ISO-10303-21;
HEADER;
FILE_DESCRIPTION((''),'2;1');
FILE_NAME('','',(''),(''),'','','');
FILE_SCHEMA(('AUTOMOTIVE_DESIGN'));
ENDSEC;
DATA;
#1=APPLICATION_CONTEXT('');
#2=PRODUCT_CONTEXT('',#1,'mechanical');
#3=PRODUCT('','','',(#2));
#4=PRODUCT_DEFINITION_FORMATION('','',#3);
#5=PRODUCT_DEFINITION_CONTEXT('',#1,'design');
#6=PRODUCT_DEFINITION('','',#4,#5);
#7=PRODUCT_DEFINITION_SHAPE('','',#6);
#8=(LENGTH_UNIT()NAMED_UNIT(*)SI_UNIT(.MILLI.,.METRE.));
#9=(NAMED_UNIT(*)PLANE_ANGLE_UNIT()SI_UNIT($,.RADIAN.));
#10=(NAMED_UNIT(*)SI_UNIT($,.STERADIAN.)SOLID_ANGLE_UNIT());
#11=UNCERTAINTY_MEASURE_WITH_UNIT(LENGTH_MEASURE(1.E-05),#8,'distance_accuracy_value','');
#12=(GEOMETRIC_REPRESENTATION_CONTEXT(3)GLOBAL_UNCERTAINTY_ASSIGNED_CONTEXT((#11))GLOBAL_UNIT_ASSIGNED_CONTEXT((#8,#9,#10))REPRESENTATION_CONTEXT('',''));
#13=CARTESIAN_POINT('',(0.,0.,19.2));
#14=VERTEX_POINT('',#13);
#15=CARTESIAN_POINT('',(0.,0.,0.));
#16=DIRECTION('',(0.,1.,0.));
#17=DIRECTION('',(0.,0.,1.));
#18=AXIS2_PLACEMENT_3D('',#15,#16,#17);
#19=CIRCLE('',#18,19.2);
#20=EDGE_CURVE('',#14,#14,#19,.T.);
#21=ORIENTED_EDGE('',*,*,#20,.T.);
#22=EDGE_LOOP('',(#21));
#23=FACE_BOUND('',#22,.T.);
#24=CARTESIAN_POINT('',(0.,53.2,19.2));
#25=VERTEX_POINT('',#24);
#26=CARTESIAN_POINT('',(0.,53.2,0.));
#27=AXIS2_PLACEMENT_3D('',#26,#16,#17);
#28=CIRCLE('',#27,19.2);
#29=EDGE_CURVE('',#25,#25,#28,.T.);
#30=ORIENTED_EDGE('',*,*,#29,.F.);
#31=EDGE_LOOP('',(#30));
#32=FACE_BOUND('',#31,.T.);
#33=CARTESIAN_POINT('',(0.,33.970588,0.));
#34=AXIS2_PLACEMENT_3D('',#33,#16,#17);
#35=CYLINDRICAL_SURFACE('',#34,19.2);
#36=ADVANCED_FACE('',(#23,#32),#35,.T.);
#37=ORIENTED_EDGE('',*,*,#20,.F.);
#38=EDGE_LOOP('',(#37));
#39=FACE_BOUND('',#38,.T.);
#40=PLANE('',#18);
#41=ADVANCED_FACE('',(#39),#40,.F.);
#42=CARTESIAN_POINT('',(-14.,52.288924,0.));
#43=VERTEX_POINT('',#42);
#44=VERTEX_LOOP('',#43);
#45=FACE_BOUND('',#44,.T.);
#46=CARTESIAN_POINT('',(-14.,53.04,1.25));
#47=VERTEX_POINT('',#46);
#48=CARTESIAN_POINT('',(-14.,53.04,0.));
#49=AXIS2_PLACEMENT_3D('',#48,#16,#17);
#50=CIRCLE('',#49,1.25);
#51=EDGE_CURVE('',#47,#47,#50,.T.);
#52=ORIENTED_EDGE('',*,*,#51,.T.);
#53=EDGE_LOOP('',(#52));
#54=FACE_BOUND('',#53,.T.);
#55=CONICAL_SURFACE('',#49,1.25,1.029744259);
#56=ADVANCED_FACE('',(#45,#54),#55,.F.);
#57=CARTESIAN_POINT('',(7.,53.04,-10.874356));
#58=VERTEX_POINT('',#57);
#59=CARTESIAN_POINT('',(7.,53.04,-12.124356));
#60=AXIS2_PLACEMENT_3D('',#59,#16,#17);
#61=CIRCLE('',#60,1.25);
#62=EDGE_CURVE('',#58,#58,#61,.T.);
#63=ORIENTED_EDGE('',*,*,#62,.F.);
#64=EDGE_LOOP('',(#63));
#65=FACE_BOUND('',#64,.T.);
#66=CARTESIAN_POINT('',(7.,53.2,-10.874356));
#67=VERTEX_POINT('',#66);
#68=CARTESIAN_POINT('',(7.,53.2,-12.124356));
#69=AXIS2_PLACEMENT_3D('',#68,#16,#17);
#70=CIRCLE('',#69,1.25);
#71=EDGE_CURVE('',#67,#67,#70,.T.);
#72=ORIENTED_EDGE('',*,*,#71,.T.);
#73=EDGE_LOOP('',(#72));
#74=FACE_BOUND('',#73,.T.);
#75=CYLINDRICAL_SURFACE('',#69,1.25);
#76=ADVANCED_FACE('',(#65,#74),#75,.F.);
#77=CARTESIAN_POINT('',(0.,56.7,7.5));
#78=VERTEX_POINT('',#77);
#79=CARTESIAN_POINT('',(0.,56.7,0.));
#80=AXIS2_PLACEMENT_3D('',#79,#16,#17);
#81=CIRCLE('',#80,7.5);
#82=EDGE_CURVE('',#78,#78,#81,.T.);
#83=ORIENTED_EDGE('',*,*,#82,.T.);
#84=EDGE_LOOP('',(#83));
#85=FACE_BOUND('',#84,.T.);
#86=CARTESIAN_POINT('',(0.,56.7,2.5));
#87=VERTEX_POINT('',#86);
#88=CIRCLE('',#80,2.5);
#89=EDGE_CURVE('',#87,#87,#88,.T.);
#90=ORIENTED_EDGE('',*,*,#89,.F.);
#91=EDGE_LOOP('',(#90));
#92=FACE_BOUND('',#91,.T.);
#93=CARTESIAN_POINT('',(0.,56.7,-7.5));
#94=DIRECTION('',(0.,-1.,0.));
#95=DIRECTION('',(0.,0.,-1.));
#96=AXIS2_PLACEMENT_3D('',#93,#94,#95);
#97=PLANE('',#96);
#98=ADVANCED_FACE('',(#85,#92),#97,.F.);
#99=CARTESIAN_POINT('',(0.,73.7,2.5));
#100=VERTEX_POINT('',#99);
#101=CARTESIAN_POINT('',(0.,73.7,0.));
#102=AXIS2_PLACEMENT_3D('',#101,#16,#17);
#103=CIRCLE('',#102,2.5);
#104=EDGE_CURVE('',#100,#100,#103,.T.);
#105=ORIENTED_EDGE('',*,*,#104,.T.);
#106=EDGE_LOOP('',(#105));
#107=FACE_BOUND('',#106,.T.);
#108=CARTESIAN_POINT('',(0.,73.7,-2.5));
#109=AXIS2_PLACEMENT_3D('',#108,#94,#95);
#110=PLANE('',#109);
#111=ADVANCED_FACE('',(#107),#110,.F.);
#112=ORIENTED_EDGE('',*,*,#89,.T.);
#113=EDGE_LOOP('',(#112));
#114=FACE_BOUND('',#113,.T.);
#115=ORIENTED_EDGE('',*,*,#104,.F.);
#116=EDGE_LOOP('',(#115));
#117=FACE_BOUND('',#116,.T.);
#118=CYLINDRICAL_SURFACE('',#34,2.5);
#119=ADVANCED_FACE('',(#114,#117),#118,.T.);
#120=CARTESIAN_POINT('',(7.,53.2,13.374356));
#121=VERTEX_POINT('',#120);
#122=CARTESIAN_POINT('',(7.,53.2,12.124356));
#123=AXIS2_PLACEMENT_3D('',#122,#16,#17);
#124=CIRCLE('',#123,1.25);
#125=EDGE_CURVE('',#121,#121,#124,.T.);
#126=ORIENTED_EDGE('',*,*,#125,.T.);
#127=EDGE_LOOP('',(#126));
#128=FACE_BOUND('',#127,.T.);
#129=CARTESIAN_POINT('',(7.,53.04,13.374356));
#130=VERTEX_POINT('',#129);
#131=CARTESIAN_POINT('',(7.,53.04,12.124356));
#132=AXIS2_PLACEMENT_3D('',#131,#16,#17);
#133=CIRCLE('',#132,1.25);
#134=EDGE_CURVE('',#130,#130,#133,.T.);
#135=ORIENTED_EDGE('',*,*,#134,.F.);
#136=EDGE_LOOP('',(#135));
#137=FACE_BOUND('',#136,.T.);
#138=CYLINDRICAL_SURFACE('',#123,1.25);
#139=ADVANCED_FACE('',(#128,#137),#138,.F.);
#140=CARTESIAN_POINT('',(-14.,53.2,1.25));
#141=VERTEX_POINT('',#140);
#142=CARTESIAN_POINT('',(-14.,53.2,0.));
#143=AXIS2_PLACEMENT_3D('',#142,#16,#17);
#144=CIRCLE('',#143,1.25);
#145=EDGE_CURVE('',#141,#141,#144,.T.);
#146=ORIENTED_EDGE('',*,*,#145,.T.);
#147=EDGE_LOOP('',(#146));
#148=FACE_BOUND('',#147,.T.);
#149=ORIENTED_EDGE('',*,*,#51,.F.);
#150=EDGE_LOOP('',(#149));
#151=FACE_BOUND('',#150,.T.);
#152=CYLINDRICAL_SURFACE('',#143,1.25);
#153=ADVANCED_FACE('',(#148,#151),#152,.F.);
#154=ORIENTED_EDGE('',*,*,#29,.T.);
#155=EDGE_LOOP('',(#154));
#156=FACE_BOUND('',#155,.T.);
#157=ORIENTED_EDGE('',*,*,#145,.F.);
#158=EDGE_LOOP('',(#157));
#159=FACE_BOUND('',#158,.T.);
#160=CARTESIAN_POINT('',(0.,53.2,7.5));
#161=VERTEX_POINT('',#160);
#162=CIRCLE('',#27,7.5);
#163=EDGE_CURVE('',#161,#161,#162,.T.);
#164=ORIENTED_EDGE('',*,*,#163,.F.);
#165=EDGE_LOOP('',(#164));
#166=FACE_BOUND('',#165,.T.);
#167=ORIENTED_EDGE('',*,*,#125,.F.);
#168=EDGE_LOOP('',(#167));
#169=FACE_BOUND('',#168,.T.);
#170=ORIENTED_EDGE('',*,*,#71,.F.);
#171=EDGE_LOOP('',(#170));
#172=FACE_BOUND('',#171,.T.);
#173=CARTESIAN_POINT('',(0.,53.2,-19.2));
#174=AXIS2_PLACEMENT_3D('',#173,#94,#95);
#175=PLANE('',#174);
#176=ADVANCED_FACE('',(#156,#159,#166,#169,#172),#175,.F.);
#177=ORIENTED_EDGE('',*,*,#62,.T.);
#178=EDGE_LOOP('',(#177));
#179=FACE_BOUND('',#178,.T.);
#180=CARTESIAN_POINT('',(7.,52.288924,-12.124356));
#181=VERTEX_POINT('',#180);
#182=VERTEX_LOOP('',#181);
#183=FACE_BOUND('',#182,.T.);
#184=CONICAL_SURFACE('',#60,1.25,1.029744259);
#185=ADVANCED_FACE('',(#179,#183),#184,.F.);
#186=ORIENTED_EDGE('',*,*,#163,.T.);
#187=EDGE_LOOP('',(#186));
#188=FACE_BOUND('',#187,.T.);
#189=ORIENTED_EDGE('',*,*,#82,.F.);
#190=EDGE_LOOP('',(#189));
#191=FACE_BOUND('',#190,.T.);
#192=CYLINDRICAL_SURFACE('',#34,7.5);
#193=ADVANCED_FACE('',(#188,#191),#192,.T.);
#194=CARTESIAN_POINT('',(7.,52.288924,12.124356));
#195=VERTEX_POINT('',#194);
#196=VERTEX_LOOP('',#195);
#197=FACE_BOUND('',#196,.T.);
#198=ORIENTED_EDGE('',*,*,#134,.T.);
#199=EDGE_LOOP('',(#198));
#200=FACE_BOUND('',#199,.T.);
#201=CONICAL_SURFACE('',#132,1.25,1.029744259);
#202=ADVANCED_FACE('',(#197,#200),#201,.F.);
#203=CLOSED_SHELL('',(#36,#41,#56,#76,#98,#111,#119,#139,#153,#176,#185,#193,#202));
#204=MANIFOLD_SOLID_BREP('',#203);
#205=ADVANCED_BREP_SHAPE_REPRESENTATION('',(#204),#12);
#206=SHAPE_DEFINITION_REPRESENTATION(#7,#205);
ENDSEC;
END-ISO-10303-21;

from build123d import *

# Parameters (mm, degrees)
M3_TAPPED_HOLE1_D     = 2.5
M3_TAPPED_HOLE1_DEPTH = 0.16
M3_TAPPED_HOLE1_TIP   = 0.751075774


with BuildPart() as part:
    # Sketch1 → Revolve1 (revolve)
    with BuildSketch(Plane(origin=(0, 0, 0), x_dir=(0, 0, -1), z_dir=(1, 0, 0)), mode=Mode.PRIVATE) as revolve1_sk:
        Polygon((0, 0), (19.2, 0), (19.2, 53.2), (7.5, 53.2), (7.5, 56.7), (2.5, 56.7), (2.5, 73.7), (0, 73.7), align=None)
    revolve(revolve1_sk.sketch.rotate(Axis((0, 33.970588235, 0), (0, -1, 0)), 180), axis=Axis((0, 33.970588235, 0), (0, -1, 0)))

    # M3 Tapped Hole1
    with Locations(Plane(origin=(0, 53.2, 0), x_dir=(1, 0, 0), z_dir=(0, 1, 0))):
        with Locations((7, 12.124355653), (7, -12.124355653), (-14, 0)):
            Hole(M3_TAPPED_HOLE1_D / 2, depth=M3_TAPPED_HOLE1_DEPTH)
            with Locations((0, 0, -(M3_TAPPED_HOLE1_DEPTH + M3_TAPPED_HOLE1_TIP / 2))):  # 118° drill point
                Cone(0, M3_TAPPED_HOLE1_D / 2, M3_TAPPED_HOLE1_TIP, mode=Mode.SUBTRACT)


solid = part.part
